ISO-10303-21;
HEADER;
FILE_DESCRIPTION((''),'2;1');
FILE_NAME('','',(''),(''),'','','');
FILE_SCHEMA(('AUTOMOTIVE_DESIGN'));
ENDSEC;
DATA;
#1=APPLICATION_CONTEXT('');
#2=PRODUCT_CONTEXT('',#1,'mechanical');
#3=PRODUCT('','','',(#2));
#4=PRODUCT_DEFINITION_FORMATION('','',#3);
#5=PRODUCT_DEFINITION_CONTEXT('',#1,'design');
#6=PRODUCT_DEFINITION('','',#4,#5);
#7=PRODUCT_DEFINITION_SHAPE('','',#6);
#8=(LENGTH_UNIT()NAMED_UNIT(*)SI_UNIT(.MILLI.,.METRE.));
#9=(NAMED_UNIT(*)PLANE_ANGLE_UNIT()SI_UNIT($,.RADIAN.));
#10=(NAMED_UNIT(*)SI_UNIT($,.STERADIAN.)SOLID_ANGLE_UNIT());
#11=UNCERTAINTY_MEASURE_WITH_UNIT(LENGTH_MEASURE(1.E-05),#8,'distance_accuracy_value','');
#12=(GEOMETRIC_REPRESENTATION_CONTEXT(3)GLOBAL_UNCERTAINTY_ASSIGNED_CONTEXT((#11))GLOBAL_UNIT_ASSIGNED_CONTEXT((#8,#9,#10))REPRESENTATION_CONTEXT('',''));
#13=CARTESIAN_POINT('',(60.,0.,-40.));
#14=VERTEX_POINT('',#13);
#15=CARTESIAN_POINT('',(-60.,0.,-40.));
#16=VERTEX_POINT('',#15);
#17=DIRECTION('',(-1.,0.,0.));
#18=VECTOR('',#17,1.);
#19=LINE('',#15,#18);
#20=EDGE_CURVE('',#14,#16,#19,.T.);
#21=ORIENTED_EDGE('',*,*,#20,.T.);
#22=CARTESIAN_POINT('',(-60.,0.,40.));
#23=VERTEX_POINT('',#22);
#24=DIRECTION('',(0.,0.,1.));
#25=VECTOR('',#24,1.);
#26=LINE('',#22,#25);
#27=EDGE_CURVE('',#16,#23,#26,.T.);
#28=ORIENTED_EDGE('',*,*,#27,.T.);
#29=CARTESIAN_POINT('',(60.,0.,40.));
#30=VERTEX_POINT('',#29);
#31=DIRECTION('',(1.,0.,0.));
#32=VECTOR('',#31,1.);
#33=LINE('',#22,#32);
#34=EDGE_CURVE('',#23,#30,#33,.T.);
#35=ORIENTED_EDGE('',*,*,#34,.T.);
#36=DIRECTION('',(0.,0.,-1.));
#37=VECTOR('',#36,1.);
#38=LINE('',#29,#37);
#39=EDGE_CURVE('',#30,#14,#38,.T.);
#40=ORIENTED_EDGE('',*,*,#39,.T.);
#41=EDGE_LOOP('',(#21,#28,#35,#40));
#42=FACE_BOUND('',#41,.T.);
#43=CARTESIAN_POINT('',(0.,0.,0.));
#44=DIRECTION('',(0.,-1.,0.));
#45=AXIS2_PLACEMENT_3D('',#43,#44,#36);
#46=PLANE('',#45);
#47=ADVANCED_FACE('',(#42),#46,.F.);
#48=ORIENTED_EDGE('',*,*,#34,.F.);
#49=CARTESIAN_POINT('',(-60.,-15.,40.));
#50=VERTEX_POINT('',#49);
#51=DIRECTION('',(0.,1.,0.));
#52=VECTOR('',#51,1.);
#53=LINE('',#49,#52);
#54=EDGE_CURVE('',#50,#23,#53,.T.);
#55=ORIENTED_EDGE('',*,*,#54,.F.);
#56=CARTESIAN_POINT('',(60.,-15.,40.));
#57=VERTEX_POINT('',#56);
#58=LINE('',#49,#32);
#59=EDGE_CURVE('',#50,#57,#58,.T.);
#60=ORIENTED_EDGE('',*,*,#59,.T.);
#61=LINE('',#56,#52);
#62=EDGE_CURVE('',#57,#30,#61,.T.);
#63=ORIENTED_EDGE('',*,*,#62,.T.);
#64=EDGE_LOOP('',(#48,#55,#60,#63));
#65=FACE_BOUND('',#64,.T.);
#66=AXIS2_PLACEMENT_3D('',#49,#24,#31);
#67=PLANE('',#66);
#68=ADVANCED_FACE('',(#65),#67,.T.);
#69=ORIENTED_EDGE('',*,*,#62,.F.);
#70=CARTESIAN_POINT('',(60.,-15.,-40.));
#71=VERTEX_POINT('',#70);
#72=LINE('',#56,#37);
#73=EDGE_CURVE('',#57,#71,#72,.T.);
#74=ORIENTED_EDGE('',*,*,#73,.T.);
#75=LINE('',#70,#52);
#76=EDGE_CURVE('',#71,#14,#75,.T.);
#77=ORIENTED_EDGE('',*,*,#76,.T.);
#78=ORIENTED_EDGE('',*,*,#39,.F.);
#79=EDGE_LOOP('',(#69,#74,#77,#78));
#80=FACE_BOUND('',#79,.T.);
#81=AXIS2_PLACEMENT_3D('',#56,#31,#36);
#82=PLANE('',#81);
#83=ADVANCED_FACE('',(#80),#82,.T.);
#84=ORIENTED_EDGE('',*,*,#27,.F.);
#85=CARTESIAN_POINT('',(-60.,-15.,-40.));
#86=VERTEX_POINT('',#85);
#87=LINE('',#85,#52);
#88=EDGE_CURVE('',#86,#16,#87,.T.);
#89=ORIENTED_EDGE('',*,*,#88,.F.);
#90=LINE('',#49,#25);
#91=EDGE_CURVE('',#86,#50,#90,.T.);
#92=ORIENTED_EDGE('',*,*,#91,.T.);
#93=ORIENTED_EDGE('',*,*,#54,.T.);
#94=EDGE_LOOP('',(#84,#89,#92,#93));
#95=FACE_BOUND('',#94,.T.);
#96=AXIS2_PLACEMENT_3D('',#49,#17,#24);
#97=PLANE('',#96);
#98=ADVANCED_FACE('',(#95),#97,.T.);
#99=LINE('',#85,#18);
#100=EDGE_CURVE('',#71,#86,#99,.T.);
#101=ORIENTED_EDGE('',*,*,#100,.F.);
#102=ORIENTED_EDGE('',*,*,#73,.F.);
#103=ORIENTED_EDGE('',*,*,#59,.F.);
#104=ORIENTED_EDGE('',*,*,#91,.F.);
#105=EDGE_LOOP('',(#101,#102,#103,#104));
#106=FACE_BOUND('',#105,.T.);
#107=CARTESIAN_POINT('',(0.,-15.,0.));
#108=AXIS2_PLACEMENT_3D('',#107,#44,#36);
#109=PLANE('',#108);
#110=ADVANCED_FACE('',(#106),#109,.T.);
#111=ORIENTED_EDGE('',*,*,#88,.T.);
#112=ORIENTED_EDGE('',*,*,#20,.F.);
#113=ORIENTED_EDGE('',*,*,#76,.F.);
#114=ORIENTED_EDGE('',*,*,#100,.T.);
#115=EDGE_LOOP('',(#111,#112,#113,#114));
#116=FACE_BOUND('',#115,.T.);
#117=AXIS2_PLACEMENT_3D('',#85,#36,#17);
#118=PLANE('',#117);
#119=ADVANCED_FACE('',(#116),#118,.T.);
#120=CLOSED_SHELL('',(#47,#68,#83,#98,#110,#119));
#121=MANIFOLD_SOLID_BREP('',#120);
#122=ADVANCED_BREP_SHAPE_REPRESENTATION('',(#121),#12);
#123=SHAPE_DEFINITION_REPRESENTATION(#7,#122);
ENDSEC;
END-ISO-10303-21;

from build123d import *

# Parameters (mm, degrees)
SKETCH_1_W      = 120
SKETCH_1_H      = 80
EXTRUDE_1_DEPTH = 15


with BuildPart() as part:
    # 草图1 → 凸台-拉伸1 (new body)
    with BuildSketch(Plane(origin=(0, 0, 0), x_dir=(1, 0, 0), z_dir=(0, 1, 0))):
        Rectangle(SKETCH_1_W, SKETCH_1_H)
    extrude(amount=-EXTRUDE_1_DEPTH)


solid = part.part
